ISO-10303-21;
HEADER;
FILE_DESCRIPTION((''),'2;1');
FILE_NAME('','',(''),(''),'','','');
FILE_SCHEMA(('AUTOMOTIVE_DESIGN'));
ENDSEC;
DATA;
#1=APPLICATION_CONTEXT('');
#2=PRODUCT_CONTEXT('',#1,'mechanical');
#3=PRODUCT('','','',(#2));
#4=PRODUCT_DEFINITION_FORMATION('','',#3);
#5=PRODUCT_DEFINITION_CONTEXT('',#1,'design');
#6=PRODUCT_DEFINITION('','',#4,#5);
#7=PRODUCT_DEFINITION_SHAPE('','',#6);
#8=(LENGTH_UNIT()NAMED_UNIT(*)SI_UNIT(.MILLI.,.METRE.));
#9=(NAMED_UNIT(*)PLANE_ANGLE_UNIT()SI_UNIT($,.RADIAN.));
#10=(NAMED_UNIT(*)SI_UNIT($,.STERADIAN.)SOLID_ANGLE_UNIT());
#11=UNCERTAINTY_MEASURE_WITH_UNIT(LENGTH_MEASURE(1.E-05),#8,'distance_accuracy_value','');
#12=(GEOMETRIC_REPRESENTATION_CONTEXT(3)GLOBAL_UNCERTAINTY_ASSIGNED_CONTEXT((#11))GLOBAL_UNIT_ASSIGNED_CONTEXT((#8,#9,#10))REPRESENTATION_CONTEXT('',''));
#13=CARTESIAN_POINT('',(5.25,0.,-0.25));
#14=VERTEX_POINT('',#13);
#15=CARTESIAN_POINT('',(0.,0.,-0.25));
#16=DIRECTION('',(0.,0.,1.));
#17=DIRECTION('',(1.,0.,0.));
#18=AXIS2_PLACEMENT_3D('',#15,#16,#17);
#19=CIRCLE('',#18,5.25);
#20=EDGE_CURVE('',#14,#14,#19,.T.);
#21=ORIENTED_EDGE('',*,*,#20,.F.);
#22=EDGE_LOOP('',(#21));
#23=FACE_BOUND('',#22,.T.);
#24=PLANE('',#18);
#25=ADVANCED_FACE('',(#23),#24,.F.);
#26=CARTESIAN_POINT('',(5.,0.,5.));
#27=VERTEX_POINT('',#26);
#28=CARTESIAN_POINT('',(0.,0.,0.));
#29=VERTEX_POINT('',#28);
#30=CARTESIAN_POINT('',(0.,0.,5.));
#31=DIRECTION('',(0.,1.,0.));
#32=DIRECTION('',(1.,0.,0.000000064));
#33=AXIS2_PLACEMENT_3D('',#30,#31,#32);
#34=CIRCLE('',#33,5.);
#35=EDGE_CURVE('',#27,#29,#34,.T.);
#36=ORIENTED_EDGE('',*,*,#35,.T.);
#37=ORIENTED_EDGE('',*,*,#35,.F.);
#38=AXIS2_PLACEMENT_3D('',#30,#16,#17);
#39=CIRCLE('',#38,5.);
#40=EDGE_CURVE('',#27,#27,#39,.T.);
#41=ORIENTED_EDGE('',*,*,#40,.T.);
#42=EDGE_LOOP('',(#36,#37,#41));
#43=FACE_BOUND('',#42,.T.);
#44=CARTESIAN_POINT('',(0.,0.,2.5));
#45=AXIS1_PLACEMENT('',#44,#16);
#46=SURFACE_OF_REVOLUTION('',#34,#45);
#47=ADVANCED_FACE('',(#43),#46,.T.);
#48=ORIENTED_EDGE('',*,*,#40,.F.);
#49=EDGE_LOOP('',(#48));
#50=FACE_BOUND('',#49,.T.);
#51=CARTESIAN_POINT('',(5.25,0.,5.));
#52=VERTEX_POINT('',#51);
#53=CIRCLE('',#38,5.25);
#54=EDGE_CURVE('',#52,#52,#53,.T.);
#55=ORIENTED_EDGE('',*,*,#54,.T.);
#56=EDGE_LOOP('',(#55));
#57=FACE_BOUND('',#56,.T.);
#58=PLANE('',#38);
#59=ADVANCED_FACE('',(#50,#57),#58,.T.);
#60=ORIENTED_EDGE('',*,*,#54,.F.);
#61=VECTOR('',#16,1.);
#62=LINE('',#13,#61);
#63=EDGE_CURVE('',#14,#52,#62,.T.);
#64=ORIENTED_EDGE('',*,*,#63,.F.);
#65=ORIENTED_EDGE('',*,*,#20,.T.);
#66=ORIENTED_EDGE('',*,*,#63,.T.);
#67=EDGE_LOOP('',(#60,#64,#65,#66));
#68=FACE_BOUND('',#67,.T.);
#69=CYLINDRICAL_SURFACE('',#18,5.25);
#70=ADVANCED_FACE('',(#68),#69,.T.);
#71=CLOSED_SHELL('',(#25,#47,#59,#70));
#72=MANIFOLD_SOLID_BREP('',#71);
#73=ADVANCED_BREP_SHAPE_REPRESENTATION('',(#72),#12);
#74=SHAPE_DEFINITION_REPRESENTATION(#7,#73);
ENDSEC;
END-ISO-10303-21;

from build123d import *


with BuildPart() as f1:
    # F0 (on Front) → F1 (revolve)
    with BuildSketch(Plane.XZ):
        with BuildLine():
            ThreePointArc((5, 5), (3.535534, 1.464466), (0, 0))
            Line((0, 0), (5, 0))
            Line((5, 0), (5, 5))
        make_face()
        Polygon((5, 0), (0, 0), (0, -0.25), (5.25, -0.25), (5.25, 5), (5, 5), align=None)
    revolve(axis=Axis((0, 0, 2.5), (0, 0, 1)))


solid = f1.part
